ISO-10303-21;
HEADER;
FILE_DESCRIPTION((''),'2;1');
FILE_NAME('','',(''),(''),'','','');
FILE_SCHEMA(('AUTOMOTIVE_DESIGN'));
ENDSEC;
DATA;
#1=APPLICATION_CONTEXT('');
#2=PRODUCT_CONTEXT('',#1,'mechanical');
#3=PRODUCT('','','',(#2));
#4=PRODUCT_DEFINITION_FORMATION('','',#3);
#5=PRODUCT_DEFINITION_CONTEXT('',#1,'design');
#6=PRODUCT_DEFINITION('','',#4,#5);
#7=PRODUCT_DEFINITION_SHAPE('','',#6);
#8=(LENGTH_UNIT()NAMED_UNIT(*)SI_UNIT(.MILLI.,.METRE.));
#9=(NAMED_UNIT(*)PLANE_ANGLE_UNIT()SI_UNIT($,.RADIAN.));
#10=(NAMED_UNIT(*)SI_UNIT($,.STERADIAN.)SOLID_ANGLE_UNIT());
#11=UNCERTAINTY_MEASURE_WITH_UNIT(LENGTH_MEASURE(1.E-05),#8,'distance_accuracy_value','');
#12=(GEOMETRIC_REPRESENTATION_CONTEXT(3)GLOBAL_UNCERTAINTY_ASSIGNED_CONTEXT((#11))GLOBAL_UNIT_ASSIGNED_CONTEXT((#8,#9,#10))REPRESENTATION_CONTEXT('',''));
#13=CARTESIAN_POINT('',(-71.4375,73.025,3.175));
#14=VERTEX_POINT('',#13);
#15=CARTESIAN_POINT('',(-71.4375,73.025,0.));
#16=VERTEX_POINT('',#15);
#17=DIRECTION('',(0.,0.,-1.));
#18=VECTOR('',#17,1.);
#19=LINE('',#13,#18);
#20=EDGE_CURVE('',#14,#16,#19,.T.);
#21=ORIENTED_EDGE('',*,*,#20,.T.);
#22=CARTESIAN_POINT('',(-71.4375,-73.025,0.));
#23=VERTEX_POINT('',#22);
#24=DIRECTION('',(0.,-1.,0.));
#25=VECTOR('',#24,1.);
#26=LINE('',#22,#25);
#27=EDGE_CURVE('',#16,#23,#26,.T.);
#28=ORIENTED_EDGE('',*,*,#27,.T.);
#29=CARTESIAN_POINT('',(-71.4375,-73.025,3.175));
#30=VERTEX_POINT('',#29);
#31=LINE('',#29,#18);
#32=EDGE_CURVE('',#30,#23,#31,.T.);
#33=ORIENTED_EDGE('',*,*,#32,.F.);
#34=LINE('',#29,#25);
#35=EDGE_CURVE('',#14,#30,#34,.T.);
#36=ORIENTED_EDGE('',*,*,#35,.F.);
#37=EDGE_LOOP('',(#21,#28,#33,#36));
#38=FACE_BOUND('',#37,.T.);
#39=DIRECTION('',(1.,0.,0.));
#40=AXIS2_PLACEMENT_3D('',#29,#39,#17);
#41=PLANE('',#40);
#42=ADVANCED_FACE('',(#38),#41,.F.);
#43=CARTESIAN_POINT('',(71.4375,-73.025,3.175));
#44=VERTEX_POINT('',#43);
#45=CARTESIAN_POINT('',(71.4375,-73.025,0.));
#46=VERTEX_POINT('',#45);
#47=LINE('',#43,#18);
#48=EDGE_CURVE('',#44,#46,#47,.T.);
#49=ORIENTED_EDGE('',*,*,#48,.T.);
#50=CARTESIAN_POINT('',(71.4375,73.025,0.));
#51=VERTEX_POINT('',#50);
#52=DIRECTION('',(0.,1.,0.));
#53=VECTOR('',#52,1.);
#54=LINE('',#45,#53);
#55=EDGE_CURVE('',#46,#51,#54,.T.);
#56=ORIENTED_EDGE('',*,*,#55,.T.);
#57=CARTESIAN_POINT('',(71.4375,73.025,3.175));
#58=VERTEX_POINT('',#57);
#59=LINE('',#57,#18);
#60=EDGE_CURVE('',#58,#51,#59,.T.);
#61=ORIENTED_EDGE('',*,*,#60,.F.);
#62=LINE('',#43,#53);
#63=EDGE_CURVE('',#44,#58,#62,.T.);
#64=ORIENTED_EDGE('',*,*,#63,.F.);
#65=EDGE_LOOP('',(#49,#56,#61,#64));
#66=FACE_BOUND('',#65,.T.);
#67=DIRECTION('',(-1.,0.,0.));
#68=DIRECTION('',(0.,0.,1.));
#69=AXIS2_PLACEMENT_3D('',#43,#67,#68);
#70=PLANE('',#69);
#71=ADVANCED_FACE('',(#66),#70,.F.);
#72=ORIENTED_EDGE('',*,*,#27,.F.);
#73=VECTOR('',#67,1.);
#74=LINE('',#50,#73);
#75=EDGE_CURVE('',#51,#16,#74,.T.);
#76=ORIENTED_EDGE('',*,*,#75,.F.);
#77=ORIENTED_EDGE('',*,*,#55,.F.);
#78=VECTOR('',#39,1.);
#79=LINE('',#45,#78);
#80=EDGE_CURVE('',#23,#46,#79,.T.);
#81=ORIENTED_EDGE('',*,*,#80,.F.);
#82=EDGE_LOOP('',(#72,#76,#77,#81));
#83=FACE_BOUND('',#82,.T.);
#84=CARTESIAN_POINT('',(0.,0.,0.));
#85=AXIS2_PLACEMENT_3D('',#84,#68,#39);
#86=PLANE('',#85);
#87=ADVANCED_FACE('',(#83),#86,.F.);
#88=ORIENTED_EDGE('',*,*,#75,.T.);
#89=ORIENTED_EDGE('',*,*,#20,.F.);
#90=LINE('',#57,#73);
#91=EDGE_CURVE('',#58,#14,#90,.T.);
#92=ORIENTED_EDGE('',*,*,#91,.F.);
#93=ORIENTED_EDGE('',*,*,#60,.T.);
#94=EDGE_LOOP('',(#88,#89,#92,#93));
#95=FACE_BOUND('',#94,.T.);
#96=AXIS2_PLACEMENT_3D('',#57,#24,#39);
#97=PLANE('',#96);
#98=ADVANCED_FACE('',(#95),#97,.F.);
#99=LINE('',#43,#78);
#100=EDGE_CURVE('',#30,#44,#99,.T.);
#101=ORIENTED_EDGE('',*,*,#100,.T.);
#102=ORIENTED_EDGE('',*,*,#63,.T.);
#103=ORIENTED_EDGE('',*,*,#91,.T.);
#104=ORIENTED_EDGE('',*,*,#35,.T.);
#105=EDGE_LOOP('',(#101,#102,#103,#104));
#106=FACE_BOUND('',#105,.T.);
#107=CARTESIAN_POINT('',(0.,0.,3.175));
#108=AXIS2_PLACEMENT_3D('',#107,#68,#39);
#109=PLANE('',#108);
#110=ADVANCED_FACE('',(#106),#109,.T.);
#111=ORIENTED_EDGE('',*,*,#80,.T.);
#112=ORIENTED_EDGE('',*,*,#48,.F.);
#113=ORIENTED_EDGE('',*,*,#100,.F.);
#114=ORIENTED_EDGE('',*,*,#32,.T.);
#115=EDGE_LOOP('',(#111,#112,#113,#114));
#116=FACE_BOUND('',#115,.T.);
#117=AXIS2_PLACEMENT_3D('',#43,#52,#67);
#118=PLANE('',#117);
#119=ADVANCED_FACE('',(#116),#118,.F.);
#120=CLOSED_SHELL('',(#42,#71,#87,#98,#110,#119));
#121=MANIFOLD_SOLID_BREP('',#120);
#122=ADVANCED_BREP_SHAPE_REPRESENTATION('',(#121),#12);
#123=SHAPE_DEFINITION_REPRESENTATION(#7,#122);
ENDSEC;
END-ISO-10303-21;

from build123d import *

# Parameters (mm, degrees)
SKETCH1_W           = 142.875
SKETCH1_H           = 146.05
BOSS_EXTRUDE1_DEPTH = 3.175


with BuildPart() as part:
    # Sketch1 → Boss-Extrude1 (new body)
    with BuildSketch(Plane.XY):
        Rectangle(SKETCH1_W, SKETCH1_H)
    extrude(amount=BOSS_EXTRUDE1_DEPTH)


solid = part.part
